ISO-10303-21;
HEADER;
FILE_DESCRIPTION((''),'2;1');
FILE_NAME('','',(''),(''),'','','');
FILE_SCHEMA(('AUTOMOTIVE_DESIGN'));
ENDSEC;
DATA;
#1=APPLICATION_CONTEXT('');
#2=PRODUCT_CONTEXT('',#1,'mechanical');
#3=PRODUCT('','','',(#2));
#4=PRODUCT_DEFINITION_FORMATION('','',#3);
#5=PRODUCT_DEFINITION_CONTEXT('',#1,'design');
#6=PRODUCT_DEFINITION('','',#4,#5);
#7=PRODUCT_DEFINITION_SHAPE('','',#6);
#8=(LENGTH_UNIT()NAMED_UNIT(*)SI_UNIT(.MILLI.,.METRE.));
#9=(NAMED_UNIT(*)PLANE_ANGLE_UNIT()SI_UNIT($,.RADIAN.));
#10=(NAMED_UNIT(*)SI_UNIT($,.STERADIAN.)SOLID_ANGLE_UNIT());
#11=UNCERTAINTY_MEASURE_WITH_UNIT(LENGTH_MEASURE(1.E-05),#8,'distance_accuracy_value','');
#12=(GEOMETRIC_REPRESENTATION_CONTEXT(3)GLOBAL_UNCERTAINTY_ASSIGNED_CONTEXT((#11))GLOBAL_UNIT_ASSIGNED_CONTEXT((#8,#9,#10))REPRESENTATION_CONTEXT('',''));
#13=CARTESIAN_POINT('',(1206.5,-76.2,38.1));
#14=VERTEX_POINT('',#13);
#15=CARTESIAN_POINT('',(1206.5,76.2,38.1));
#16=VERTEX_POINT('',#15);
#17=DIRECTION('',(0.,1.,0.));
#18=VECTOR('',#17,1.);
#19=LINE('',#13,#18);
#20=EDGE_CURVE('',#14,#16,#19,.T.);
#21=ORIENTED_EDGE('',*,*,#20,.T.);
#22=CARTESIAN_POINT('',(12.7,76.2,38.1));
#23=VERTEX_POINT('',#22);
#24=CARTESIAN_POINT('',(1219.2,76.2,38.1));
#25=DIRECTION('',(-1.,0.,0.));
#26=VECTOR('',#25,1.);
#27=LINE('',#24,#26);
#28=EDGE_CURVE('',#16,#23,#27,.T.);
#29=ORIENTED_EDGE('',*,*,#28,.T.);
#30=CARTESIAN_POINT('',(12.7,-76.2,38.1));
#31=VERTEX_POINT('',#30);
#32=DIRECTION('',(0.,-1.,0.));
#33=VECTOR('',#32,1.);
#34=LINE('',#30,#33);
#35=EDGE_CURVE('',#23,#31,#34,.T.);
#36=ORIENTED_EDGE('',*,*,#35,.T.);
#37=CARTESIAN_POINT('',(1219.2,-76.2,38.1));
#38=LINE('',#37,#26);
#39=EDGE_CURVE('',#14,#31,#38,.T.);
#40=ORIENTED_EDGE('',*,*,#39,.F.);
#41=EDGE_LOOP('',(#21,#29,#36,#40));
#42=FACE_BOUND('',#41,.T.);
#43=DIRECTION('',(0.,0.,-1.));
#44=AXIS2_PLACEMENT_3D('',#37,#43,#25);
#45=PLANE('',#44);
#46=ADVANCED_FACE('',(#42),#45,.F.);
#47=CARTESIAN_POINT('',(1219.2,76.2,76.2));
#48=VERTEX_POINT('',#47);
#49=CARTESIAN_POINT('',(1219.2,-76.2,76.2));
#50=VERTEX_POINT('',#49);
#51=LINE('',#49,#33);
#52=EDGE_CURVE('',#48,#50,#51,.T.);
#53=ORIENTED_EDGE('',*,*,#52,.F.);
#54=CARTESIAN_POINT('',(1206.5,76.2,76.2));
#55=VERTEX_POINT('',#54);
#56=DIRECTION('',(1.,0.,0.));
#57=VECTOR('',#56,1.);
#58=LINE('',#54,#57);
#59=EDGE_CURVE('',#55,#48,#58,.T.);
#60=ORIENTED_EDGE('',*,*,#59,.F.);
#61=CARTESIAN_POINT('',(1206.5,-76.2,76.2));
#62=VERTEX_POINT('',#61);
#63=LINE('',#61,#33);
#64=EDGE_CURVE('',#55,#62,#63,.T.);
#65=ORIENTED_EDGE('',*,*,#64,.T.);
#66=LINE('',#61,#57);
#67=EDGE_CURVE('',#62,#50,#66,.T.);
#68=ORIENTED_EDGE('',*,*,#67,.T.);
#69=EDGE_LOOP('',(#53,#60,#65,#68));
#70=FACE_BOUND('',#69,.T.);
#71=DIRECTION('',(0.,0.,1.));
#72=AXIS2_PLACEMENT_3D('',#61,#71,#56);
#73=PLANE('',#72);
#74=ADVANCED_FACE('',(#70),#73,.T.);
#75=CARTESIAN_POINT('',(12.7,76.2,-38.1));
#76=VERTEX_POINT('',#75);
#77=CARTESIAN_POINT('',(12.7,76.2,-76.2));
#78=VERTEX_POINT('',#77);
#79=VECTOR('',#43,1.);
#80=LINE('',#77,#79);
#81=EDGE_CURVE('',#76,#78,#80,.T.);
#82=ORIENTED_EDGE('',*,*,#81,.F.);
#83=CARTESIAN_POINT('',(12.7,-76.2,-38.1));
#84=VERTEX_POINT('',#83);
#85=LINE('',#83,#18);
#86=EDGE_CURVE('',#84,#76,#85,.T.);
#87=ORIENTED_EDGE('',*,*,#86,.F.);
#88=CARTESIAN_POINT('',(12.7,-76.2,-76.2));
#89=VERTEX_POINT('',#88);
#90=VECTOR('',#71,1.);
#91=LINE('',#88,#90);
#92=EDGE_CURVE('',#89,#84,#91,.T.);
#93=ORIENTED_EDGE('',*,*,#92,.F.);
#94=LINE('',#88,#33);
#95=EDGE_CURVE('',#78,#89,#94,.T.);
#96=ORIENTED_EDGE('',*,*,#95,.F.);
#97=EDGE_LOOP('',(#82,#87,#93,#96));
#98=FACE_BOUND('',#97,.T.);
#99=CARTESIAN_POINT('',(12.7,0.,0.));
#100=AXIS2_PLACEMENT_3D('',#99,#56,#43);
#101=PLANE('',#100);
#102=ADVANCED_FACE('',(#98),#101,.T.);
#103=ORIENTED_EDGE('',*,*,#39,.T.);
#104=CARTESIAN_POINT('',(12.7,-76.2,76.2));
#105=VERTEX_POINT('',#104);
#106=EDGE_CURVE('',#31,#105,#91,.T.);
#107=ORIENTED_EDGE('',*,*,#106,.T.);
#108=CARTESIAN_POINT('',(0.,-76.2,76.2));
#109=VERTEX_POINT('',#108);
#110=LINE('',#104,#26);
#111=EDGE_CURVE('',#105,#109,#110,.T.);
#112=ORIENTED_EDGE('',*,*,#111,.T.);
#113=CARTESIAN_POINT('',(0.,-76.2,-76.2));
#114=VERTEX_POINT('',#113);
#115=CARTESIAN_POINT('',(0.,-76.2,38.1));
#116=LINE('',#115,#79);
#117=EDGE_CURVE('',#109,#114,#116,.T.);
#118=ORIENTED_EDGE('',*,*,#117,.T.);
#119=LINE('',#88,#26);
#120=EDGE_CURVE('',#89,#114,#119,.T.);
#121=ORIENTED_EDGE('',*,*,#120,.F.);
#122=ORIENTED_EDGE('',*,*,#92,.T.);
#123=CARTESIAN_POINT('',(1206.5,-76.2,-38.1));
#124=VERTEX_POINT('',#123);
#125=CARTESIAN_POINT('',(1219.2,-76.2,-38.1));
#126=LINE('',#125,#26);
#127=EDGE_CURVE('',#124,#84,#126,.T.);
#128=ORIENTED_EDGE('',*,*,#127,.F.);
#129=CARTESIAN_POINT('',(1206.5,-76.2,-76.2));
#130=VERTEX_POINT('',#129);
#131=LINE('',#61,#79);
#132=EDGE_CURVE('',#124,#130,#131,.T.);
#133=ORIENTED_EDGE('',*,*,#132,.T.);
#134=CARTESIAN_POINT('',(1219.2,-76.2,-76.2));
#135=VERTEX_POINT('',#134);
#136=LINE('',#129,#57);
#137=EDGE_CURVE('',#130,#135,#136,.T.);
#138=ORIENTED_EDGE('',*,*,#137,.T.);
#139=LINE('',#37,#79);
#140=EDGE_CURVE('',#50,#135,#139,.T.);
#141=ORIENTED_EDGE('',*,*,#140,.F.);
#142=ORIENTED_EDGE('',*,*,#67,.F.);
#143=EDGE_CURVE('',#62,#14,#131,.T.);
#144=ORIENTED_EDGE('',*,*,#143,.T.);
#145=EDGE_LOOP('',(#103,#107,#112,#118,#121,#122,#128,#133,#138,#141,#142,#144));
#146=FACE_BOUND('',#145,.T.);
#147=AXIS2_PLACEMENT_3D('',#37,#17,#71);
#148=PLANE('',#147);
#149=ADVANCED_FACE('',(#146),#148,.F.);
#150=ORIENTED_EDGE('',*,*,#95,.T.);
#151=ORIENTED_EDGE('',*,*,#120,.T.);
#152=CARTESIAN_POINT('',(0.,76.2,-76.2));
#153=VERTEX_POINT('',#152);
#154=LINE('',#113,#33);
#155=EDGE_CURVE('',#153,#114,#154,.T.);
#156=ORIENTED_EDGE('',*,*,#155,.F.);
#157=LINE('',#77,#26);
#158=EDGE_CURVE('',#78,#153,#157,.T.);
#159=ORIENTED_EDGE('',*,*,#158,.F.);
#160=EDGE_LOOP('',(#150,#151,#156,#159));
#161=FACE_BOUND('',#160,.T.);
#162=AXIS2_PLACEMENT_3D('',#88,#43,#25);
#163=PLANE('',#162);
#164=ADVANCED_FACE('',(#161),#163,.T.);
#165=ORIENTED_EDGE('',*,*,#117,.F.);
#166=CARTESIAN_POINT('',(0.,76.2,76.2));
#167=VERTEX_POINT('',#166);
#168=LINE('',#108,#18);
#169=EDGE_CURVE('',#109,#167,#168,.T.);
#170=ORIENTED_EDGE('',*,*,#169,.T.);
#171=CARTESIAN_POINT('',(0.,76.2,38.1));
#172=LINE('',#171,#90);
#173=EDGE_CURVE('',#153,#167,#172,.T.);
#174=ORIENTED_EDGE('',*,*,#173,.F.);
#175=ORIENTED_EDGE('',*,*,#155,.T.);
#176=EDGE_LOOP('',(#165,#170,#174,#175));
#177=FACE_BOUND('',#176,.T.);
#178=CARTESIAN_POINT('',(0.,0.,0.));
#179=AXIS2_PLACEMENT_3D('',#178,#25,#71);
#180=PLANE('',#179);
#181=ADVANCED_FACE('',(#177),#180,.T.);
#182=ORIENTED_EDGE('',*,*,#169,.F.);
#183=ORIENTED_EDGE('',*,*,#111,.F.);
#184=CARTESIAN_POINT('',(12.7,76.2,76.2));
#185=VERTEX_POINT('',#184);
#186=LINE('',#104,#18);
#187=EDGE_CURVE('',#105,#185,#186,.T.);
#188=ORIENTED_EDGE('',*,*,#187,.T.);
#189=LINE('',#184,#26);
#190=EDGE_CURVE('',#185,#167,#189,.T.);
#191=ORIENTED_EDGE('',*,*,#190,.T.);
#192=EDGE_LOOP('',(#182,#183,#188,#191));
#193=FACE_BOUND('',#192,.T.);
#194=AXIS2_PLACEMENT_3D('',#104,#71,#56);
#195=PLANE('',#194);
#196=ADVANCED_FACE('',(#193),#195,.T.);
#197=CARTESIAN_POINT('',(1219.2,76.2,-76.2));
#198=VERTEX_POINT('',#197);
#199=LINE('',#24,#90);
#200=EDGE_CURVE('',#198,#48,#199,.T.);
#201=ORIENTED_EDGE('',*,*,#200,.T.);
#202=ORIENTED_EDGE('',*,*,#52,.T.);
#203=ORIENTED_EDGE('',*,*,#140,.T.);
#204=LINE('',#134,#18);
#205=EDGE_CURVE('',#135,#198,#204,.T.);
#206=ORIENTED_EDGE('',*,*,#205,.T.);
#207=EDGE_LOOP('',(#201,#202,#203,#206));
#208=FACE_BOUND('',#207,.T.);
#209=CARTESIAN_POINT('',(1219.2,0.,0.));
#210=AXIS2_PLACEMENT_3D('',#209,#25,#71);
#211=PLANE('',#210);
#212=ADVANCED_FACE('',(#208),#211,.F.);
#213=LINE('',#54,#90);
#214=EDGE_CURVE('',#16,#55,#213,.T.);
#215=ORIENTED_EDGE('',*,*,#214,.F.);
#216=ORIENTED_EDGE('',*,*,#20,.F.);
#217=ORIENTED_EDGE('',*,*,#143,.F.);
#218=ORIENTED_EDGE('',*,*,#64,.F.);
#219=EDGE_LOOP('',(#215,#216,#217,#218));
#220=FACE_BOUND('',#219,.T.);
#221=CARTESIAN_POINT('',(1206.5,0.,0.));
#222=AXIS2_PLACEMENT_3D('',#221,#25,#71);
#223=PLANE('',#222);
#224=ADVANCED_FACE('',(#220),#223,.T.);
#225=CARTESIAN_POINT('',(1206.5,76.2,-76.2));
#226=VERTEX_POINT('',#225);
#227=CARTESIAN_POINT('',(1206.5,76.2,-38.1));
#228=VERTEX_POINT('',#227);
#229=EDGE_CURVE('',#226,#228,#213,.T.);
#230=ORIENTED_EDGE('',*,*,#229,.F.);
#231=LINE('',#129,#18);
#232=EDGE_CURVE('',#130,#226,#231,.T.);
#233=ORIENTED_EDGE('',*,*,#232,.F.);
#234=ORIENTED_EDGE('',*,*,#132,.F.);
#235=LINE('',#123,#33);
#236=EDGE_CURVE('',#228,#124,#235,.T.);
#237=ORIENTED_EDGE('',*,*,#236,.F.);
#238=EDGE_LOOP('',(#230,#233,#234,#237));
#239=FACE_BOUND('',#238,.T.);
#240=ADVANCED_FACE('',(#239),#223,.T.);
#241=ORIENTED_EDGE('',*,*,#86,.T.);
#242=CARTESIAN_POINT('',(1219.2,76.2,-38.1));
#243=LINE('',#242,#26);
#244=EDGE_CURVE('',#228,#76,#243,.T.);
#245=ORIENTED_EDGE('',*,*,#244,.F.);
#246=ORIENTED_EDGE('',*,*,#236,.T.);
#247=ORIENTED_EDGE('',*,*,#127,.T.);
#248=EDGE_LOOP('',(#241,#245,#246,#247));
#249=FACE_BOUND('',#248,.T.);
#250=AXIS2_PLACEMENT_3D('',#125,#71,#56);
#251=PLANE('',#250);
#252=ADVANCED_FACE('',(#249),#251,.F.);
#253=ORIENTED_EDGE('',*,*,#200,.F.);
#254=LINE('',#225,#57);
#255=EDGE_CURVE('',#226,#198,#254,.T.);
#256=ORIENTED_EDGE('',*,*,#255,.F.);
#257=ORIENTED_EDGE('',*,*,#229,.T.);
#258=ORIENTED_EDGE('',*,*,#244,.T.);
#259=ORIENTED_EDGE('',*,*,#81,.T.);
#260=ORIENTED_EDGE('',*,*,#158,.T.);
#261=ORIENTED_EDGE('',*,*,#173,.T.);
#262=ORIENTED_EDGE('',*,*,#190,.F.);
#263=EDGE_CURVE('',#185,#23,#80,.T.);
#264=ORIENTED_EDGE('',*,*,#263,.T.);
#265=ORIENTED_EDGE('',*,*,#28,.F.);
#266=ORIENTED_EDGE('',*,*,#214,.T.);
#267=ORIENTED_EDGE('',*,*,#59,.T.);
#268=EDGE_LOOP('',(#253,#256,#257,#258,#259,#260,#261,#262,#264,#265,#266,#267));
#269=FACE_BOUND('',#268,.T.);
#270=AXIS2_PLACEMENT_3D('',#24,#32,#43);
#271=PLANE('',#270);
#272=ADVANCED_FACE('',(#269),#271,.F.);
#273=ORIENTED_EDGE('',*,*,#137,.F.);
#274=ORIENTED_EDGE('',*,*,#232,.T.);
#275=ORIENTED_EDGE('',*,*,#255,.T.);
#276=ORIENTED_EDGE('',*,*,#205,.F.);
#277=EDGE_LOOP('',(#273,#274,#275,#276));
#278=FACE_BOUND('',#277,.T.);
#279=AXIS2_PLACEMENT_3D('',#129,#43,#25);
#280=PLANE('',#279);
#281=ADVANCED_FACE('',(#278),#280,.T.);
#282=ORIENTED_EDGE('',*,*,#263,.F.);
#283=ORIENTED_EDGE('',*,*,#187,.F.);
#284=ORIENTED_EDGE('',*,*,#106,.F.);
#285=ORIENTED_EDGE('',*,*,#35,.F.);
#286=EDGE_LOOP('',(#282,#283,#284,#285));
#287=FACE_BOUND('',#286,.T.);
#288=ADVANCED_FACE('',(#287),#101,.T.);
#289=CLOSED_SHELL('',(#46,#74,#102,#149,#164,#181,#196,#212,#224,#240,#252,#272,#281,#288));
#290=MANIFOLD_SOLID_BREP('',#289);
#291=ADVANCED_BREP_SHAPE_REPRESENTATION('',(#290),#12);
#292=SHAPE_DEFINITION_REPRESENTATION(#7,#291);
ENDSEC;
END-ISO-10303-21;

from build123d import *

# Parameters (mm, degrees)
SKETCH1_W           = 76.2
SKETCH1_H           = 152.4
BOSS_EXTRUDE1_DEPTH = 1219.2
SKETCH2_W           = 152.4
SKETCH2_H           = 152.4
BOSS_EXTRUDE2_DEPTH = 12.7
SKETCH3_W           = 152.4
SKETCH3_H           = 152.4
BOSS_EXTRUDE3_DEPTH = 12.7


with BuildPart() as part:
    # Sketch1 → Boss-Extrude1 (new body)
    with BuildSketch(Plane(origin=(0, 0, 0), x_dir=(0, 0, -1), z_dir=(1, 0, 0))):
        Rectangle(SKETCH1_W, SKETCH1_H)
    extrude(amount=BOSS_EXTRUDE1_DEPTH)

    # Sketch2 → Boss-Extrude2 (add)
    with BuildSketch(Plane(origin=(1219.2, 0, 0), x_dir=(0, 0, -1), z_dir=(1, 0, 0))):
        Rectangle(SKETCH2_W, SKETCH2_H)
    extrude(amount=-BOSS_EXTRUDE2_DEPTH)

    # Sketch3 → Boss-Extrude3 (add)
    with BuildSketch(Plane.ZY):
        Rectangle(SKETCH3_W, SKETCH3_H)
    extrude(amount=-BOSS_EXTRUDE3_DEPTH)


solid = part.part
